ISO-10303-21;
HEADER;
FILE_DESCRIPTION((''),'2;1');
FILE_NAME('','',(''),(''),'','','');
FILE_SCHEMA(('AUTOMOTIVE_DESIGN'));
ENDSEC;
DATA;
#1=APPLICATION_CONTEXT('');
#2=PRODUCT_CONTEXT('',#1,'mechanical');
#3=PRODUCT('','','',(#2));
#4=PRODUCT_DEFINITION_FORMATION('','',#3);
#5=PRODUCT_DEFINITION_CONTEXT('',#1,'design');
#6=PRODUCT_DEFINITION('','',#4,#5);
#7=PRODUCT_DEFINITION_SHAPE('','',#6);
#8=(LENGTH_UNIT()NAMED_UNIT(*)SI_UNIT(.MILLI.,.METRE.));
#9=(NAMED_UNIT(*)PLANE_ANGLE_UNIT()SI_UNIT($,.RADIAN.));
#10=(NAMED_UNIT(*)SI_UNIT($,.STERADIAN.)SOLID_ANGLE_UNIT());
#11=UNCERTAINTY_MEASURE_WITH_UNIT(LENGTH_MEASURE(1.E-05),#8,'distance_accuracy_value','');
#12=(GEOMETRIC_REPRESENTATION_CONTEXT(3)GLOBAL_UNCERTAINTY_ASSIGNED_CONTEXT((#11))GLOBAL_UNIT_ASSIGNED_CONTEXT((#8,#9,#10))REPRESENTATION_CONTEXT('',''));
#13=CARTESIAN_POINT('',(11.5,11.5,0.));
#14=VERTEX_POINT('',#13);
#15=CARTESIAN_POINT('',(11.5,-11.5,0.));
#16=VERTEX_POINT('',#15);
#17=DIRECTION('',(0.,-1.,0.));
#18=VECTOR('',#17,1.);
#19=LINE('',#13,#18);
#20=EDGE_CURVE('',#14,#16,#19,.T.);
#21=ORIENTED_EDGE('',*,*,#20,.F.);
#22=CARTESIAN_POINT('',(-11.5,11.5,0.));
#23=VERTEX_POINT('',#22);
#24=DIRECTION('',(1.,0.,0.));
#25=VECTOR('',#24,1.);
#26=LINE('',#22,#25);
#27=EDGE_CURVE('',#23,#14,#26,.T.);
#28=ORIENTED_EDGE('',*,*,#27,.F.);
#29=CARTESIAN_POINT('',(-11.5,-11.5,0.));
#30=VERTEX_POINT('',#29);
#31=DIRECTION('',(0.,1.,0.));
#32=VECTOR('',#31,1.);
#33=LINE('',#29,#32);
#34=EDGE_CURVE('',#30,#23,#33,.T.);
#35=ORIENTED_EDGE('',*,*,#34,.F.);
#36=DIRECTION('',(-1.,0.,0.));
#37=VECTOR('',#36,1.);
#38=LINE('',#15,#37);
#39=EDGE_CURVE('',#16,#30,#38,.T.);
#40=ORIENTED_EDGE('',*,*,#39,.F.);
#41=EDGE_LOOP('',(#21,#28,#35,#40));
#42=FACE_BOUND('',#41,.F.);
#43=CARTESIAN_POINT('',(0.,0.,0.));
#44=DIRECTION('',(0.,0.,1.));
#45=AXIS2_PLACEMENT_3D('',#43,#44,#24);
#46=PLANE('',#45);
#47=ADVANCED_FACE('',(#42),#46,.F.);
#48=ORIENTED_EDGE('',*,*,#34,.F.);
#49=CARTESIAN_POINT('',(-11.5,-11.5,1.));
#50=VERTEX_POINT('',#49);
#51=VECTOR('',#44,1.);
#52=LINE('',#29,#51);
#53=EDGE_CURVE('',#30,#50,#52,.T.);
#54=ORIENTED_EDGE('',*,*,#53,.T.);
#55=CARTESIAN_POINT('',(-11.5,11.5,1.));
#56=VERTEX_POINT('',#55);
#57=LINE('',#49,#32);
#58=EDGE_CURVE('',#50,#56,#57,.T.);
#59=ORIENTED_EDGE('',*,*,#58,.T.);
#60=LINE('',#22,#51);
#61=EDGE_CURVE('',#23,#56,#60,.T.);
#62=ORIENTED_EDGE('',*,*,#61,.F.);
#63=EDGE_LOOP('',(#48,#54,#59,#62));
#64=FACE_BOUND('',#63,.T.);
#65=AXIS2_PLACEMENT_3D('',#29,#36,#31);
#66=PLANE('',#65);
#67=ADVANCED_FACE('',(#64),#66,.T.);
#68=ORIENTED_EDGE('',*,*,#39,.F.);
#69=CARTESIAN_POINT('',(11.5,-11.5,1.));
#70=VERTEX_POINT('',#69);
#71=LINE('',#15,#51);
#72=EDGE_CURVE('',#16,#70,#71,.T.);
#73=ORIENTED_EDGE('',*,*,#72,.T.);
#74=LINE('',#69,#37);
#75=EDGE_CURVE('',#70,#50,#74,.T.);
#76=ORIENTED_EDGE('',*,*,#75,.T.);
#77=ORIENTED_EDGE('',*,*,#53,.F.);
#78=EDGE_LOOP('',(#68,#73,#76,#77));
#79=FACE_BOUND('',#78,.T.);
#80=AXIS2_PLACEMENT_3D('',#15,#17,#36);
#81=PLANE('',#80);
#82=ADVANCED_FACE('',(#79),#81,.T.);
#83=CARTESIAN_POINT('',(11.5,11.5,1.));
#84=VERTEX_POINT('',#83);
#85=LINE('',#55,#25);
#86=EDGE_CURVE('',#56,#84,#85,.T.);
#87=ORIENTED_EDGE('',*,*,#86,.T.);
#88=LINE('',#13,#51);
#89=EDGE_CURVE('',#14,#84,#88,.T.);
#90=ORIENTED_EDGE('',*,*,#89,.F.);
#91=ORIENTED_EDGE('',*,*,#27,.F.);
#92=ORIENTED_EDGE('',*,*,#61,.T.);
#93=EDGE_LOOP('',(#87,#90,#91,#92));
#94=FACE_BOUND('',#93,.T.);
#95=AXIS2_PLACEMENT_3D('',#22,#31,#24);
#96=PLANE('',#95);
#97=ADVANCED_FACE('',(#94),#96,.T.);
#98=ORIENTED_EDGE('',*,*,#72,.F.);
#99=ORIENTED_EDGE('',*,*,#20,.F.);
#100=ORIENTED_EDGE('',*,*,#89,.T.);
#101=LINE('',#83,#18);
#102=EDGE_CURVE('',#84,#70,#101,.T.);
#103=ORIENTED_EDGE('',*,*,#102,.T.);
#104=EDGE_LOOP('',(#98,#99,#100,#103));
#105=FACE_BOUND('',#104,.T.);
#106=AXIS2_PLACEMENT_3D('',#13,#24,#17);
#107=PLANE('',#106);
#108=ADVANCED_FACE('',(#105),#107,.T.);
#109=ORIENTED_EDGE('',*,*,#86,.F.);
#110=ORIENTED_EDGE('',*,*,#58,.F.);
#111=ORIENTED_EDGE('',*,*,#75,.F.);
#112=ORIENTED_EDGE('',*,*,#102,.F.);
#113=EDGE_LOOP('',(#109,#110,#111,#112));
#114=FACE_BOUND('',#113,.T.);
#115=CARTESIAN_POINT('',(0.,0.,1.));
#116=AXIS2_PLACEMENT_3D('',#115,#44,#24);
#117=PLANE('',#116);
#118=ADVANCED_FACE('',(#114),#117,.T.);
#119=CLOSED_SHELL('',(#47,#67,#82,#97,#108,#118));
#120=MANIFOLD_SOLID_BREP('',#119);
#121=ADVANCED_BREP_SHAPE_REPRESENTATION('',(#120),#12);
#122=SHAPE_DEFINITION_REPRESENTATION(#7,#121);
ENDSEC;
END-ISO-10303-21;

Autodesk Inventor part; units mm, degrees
ref_plane "YZ Plane" through (0, 0, 0) normal (1, 0, 0) x (0, 1, 0)
ref_plane "XZ Plane" through (0, 0, 0) normal (0, 1, 0) x (-1, 0, 0)
ref_plane "XY Plane" through (0, 0, 0) normal (0, 0, 1) x (1, 0, 0)
sketch "FG484, 6SLX45TFGG484_8" plane through (0, 0, 0) normal (0, 0, 1) x (1, 0, 0)
  line L0 (-11.5, -11.5) -> (-11.5, 11.5)
  line L1 (-11.5, 11.5) -> (11.5, 11.5)
  line L2 (11.5, 11.5) -> (11.5, -11.5)
  line L3 (11.5, -11.5) -> (-11.5, -11.5)
extrude "Extrusion1" add sketch "FG484, 6SLX45TFGG484_8" along normal blind 1
properties part number "6SLX45TFGG484"
